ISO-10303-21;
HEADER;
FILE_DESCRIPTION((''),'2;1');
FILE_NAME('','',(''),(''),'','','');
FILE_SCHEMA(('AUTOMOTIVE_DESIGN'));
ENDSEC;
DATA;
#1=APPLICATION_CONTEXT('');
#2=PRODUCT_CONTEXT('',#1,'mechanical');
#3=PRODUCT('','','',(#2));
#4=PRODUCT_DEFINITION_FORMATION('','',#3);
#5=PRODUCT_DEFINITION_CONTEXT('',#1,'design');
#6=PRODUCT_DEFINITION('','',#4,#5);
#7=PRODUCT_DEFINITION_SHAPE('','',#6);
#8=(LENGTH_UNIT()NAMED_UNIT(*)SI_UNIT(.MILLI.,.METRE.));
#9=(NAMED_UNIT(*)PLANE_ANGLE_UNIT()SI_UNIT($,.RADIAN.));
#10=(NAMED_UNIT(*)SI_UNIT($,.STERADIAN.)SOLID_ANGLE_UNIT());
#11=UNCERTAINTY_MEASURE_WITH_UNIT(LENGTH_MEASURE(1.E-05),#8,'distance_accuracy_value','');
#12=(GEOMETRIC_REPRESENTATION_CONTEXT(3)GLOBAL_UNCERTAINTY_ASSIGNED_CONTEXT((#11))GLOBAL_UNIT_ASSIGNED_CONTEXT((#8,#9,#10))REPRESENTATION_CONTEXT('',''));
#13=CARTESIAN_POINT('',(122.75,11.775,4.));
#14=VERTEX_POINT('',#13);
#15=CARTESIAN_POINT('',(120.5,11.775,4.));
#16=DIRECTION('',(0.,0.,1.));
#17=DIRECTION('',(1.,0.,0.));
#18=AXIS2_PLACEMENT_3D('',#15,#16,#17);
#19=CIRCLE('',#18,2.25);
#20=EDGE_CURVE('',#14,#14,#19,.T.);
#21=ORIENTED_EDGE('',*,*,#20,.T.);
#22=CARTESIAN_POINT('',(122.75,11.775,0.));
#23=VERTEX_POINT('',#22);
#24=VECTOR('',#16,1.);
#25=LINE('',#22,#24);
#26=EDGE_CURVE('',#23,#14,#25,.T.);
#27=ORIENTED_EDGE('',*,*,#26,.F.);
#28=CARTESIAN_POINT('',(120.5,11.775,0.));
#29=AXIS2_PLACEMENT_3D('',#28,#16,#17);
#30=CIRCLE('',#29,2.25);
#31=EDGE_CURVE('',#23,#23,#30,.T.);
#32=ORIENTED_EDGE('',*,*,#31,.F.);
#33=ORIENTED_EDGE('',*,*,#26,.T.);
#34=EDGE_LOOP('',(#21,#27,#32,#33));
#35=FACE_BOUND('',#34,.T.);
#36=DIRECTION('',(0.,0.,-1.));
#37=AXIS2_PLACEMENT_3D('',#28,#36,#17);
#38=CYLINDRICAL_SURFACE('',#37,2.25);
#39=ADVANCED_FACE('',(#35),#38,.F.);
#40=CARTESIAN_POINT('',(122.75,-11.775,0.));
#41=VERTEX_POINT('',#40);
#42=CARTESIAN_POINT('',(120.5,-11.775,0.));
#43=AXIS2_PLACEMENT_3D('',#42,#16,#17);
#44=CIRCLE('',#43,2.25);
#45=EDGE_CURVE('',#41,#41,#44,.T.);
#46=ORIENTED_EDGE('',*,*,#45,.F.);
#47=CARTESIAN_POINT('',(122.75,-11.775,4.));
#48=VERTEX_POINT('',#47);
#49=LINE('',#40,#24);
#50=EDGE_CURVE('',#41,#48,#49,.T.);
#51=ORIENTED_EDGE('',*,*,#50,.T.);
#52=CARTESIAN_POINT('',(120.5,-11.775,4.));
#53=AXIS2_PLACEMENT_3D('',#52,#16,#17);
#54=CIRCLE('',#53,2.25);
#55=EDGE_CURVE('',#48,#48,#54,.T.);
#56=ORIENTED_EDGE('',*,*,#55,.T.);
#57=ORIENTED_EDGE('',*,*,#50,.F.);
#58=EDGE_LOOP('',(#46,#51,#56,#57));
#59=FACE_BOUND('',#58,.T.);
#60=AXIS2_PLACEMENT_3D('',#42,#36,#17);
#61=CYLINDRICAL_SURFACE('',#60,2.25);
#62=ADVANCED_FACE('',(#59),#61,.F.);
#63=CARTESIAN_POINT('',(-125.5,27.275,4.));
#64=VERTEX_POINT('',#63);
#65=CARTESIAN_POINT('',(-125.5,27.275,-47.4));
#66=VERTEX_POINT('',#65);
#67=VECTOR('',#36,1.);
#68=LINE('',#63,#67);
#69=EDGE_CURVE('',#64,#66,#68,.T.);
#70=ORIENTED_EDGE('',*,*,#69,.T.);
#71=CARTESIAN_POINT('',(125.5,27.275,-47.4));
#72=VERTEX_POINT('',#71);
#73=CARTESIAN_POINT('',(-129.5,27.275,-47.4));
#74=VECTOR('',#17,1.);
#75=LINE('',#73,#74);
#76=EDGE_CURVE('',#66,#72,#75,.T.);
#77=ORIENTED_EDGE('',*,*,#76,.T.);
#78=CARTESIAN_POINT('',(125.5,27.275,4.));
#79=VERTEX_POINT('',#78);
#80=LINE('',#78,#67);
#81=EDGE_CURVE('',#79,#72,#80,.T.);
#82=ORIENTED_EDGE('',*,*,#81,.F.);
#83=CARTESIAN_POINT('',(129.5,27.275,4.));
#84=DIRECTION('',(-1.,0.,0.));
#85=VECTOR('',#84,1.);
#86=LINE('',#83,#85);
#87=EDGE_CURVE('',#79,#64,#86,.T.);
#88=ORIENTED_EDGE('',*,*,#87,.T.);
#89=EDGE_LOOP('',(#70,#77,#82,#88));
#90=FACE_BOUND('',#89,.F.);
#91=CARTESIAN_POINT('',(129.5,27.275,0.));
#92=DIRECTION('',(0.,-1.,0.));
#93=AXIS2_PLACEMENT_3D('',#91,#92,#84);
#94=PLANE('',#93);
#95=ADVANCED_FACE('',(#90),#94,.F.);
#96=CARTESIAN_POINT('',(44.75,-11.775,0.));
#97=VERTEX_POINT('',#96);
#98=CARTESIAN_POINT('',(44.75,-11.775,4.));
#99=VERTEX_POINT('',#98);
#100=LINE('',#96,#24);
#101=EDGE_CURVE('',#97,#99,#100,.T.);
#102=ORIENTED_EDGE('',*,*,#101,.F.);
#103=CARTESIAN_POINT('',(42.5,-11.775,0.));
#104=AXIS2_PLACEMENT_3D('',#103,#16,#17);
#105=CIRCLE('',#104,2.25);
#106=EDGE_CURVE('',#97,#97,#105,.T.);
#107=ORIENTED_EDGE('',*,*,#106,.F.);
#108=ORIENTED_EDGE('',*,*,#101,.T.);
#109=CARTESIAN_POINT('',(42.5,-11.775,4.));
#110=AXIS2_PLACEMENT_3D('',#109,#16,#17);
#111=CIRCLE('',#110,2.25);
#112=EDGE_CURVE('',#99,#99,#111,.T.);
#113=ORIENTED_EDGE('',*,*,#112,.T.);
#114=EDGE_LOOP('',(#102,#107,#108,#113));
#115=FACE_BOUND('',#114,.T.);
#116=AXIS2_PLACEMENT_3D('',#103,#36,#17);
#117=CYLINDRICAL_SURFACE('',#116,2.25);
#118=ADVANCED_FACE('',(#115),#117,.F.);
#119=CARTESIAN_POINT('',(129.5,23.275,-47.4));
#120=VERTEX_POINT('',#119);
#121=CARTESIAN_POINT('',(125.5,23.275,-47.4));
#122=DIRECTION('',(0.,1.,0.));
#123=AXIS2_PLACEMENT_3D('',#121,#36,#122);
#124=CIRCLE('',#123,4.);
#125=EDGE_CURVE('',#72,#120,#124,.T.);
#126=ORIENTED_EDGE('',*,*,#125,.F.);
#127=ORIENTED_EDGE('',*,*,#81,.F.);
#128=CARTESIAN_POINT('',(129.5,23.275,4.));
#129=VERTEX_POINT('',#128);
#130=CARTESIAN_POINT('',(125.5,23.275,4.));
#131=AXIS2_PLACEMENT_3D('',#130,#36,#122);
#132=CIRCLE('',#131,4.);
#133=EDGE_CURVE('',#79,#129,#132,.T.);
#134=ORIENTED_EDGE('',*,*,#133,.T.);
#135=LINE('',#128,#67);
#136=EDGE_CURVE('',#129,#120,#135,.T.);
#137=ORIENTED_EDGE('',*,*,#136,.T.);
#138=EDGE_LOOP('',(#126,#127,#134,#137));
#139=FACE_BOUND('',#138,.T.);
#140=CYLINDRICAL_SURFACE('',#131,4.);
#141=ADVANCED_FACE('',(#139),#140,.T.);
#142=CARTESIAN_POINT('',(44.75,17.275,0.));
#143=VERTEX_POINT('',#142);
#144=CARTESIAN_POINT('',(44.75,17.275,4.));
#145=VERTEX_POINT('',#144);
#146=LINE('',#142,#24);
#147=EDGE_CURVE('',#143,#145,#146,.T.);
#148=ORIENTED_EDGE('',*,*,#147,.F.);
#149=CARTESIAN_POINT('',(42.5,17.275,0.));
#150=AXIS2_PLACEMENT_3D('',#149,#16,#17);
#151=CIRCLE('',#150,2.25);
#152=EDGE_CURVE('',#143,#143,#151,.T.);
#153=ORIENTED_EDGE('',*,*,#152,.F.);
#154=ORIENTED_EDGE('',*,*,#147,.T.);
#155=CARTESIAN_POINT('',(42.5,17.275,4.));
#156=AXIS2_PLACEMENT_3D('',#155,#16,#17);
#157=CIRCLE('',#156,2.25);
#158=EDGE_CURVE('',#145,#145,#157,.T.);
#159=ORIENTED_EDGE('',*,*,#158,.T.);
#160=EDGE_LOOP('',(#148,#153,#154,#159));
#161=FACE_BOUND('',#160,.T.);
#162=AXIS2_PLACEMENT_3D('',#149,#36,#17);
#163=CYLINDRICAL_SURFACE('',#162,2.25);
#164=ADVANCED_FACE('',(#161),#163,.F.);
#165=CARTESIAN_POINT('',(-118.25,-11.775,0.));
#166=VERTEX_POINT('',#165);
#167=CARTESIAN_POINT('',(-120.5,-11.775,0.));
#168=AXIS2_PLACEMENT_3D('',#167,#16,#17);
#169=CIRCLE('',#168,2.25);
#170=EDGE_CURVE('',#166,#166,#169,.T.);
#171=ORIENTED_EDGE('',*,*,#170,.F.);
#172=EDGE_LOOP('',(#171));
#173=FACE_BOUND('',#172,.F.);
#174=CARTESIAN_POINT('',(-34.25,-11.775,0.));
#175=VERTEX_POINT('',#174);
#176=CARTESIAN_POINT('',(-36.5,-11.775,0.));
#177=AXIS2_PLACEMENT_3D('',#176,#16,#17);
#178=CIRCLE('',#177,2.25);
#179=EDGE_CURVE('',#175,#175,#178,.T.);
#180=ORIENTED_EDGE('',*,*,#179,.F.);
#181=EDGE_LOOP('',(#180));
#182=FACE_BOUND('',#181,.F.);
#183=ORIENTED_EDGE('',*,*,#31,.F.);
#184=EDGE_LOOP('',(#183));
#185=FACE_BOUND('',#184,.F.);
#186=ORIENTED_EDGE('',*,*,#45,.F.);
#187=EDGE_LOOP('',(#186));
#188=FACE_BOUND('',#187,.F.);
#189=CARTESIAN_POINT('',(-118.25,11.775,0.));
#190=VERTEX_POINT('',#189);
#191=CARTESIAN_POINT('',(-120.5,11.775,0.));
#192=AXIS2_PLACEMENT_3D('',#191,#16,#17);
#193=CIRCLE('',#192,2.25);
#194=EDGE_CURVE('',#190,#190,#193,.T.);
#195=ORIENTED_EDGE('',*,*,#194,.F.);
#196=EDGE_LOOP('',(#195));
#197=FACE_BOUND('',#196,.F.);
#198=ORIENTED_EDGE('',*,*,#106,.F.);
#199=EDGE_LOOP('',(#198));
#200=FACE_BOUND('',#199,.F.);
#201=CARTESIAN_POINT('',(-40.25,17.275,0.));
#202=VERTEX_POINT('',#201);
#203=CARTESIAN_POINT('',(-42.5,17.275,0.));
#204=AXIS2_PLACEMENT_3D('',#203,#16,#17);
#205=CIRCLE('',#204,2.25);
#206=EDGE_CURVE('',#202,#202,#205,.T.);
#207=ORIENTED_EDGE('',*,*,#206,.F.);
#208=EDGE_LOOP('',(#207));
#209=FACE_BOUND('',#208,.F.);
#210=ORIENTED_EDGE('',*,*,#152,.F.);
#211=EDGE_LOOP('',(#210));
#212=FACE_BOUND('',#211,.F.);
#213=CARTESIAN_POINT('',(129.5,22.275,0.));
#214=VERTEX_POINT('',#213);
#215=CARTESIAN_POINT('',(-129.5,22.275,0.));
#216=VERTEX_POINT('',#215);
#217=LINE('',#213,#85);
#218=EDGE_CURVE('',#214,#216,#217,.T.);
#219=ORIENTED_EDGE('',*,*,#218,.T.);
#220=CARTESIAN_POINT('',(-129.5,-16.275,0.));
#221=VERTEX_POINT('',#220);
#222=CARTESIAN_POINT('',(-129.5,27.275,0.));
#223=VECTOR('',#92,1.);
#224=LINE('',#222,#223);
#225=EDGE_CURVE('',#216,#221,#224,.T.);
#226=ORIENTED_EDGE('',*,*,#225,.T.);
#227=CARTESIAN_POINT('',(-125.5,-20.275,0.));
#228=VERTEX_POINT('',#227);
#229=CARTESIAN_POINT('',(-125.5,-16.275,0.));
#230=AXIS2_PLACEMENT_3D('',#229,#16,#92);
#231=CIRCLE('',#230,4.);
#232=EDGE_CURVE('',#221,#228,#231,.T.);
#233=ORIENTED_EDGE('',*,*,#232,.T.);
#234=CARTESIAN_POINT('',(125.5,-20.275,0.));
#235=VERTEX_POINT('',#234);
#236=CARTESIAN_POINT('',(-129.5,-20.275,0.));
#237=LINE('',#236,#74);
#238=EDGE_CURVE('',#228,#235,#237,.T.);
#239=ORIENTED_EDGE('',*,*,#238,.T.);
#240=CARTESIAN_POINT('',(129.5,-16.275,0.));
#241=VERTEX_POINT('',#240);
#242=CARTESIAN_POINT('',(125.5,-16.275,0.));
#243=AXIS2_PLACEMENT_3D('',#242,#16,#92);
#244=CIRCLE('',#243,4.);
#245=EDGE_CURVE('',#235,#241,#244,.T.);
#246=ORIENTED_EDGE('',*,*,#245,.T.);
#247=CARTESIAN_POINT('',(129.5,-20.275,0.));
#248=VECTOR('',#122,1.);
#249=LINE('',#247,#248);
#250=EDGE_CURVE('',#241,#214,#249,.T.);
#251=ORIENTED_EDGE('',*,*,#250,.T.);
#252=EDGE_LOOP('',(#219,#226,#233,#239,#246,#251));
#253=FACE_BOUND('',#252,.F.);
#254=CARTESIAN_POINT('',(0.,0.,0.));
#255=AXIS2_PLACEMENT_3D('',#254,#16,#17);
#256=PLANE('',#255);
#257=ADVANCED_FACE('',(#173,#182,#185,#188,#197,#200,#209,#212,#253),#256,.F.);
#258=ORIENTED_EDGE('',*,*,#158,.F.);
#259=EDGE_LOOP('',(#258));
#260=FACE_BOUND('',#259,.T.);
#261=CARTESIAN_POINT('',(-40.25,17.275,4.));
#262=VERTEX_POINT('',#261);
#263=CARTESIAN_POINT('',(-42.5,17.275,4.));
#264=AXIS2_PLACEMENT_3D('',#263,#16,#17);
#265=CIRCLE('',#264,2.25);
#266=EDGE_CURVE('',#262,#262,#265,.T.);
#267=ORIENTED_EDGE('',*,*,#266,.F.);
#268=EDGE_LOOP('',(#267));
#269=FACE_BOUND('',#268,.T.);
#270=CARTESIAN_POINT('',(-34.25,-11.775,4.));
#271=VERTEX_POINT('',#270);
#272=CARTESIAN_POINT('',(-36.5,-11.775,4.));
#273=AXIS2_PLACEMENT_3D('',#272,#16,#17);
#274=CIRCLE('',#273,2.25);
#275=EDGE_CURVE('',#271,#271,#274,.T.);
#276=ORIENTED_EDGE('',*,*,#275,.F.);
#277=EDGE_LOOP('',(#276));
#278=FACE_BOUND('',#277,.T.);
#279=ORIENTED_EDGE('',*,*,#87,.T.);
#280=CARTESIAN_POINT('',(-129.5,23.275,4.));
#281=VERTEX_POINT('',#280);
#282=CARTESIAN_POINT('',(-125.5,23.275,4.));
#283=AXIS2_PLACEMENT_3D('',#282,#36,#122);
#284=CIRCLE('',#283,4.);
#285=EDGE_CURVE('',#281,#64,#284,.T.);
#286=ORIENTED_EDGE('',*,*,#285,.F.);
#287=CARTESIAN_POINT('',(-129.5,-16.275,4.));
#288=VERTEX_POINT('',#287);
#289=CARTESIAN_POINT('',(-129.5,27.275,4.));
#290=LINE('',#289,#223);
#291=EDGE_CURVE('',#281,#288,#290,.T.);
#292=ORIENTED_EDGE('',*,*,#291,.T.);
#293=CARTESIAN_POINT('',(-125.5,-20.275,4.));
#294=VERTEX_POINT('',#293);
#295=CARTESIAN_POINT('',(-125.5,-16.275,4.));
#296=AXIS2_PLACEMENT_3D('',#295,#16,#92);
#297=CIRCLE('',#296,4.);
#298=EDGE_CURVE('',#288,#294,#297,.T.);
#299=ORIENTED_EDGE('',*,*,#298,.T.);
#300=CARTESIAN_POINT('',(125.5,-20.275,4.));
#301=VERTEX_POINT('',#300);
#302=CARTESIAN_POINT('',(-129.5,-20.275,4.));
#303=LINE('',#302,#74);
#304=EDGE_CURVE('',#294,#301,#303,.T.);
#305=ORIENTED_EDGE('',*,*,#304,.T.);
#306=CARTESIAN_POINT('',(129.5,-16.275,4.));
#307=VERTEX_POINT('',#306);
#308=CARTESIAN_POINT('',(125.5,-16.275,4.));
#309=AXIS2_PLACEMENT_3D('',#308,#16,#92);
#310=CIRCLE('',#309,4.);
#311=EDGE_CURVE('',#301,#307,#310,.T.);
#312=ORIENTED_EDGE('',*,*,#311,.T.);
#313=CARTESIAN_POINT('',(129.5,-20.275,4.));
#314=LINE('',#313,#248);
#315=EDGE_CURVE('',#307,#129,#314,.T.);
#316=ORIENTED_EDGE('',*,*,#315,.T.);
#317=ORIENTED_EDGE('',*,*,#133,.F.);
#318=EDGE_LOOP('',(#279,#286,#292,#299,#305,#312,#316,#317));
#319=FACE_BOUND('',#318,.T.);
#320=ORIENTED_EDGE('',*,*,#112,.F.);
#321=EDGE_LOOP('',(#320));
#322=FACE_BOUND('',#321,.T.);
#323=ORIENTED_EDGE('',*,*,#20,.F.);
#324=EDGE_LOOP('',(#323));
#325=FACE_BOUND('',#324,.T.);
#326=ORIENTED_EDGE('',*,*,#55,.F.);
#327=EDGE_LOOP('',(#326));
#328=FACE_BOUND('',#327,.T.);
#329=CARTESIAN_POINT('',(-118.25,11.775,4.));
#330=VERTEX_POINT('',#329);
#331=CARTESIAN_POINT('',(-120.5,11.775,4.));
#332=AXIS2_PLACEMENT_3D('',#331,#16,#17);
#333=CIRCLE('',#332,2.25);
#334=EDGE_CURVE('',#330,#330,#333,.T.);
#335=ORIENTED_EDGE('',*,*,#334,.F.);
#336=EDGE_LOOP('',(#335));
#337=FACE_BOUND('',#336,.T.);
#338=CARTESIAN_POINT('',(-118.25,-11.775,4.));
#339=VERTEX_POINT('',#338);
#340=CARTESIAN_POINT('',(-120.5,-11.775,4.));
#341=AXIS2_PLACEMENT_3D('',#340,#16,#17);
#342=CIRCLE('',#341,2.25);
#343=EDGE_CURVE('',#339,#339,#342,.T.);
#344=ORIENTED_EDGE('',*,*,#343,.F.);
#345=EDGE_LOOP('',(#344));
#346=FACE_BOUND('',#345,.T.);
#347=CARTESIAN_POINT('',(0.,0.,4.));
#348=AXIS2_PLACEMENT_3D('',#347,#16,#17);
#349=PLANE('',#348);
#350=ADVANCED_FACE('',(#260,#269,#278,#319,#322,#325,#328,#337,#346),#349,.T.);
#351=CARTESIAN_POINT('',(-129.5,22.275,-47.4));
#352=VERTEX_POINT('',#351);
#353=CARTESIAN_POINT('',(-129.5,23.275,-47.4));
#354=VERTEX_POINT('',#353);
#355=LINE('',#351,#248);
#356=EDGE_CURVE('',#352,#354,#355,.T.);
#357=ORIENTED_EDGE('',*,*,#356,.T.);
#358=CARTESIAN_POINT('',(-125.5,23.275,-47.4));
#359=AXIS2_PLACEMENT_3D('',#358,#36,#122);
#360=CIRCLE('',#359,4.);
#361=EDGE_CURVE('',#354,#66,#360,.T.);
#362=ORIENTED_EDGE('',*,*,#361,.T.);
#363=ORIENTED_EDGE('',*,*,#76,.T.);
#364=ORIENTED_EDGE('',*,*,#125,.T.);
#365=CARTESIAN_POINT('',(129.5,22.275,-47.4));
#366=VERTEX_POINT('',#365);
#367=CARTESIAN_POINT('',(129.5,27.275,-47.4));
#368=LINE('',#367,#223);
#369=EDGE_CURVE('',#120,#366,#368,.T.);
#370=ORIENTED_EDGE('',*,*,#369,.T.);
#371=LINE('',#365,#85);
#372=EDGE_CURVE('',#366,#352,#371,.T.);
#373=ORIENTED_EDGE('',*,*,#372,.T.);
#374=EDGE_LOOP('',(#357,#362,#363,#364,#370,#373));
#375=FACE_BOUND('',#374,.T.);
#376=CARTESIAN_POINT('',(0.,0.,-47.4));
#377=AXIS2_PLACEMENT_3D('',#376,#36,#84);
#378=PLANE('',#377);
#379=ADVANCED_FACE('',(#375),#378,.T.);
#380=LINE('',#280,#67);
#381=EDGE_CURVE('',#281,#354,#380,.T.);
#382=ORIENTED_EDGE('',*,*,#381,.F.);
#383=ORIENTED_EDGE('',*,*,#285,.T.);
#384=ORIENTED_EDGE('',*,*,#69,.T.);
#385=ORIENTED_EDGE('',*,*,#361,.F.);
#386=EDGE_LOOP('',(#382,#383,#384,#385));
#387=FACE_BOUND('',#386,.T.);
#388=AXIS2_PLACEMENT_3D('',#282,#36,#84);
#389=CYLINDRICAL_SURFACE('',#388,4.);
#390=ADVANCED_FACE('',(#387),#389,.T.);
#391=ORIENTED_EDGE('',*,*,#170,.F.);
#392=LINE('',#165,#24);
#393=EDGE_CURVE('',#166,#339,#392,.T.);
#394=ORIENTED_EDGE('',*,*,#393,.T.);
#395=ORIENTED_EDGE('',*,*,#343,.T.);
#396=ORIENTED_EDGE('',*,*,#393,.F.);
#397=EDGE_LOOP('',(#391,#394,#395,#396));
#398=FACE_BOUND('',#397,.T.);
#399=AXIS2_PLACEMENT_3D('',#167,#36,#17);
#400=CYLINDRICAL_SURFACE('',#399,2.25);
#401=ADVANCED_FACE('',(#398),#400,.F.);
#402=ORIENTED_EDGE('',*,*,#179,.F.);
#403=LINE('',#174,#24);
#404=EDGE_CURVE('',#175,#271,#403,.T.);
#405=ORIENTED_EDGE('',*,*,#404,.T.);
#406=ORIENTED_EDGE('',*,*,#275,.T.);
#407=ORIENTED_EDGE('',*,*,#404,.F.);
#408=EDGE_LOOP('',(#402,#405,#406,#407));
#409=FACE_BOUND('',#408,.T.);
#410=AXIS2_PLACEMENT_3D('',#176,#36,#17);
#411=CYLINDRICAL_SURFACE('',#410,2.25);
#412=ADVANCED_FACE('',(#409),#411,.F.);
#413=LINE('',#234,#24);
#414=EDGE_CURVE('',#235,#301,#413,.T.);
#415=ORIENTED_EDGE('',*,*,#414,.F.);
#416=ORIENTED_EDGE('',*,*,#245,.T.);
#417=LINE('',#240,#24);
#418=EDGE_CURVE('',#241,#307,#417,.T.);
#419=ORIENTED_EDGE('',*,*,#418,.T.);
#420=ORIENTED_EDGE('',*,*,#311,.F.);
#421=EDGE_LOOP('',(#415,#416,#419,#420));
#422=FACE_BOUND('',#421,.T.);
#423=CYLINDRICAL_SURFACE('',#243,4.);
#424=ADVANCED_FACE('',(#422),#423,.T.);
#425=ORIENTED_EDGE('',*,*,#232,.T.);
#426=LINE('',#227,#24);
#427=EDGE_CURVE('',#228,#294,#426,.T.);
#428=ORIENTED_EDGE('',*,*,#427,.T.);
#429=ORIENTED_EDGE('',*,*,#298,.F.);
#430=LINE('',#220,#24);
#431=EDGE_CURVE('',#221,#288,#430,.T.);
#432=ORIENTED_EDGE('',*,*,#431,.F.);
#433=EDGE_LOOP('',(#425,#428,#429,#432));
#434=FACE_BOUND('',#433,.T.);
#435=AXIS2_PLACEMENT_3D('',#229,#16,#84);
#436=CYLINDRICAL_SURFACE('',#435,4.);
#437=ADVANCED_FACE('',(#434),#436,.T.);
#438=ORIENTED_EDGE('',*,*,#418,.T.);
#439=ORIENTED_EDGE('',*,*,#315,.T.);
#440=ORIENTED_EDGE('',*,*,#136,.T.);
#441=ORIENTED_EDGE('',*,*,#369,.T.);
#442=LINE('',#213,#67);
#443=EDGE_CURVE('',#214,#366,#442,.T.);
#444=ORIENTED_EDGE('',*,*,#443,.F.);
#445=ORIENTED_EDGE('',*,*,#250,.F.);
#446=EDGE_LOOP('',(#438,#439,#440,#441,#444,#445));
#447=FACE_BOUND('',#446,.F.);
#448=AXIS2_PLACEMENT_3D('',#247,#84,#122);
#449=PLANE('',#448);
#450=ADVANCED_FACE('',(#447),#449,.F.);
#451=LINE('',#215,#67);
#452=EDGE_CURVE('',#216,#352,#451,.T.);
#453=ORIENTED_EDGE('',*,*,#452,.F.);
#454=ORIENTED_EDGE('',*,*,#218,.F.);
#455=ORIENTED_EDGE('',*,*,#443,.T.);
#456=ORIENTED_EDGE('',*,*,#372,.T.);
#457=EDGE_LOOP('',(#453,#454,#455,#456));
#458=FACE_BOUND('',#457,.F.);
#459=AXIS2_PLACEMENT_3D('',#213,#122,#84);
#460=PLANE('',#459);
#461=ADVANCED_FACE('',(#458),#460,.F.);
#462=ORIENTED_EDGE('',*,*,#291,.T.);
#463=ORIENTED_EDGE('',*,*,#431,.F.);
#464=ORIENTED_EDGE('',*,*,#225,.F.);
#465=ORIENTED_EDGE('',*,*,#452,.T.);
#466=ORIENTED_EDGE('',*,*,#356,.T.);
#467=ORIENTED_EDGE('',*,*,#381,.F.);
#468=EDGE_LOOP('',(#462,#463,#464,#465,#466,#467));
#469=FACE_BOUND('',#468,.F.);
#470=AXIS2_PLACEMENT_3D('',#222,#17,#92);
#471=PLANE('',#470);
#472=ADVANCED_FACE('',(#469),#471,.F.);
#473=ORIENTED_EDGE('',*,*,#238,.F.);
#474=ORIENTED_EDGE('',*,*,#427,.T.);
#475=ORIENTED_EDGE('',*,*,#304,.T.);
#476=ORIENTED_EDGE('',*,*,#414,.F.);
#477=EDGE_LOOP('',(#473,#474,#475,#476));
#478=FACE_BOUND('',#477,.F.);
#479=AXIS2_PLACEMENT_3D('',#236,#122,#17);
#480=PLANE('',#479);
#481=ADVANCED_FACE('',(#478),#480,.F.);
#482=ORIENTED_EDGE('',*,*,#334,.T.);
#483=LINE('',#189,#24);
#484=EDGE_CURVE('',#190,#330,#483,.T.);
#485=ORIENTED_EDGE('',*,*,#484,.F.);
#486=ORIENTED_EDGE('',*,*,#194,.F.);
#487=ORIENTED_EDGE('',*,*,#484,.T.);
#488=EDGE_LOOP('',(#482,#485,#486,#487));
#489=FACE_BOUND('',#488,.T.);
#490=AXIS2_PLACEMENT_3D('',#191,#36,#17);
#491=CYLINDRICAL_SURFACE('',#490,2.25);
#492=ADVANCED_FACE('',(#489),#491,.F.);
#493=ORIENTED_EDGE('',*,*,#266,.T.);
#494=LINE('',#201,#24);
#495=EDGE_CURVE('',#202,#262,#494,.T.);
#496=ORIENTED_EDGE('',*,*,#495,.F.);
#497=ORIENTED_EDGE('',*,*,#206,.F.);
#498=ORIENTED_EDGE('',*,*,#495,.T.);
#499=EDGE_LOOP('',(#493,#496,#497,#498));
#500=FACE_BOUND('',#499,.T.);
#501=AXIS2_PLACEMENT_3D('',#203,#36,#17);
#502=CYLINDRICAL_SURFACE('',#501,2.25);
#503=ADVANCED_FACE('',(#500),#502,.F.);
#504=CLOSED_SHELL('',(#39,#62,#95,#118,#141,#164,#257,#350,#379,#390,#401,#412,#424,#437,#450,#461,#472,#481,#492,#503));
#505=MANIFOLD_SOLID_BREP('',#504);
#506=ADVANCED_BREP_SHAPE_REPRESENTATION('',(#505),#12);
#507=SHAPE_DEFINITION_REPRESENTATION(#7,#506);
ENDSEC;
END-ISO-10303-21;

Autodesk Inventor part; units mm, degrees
ref_plane "YZ Plane" through (0, 0, 0) normal (1, 0, 0) x (0, 1, 0)
ref_plane "XZ Plane" through (0, 0, 0) normal (0, 1, 0) x (-1, 0, 0)
ref_plane "XY Plane" through (0, 0, 0) normal (0, 0, 1) x (1, 0, 0)
sketch "スケッチ1" plane through (0, 0, 0) normal (0, 0, 1) x (1, 0, 0)
  line L0 (-120.5, 11.775) -> (120.5, 11.775) construction
  line L1 (120.5, 11.775) -> (120.5, -11.775) construction
  line L2 (120.5, -11.775) -> (-120.5, -11.775) construction
  line L3 (-120.5, -11.775) -> (-120.5, 11.775) construction
  circle A0 centre (-120.5, -11.775) radius 2.25
  circle A1 centre (-120.5, 11.775) radius 2.25
  circle A2 centre (-36.5, -11.775) radius 2.25
  circle A3 centre (42.5, -11.775) radius 2.25
  circle A4 centre (120.5, -11.775) radius 2.25
  line L4 (-129.5, 22.275) -> (-129.5, -20.275) construction
  line L5 (-129.5, 22.275) -> (129.5, 22.275) construction
  line L6 (129.5, 22.275) -> (129.5, -20.275) construction
  line L7 (129.5, -20.275) -> (-129.5, -20.275) construction
  circle A5 centre (-42.5, 17.275) radius 2.25
  circle A6 centre (42.5, 17.275) radius 2.25
  circle A7 centre (120.5, 11.775) radius 2.25
  line L8 (-129.5, -20.275) -> (129.5, -20.275)
  line L9 (129.5, -20.275) -> (129.5, 27.275)
  line L10 (129.5, 27.275) -> (-129.5, 27.275)
  line L11 (-129.5, 27.275) -> (-129.5, -20.275)
  point P0 (0, 0)
  point P1 (-120.5, 0)
  point P2 (0, 11.775)
  dimension "d0" = 23.55
  dimension "d1" = 84
  dimension "d3" = 79
  dimension "d4" = 78
  dimension "d5" = 4.5
  dimension "d6" = 9
  dimension "d7" = 9
  dimension "d8" = 8.5
  dimension "d9" = 10.5
  dimension "d10" = 5.5
  dimension "d11" = 78.1937
  dimension "d12" = 78.1937
  dimension "d13" = 78
  dimension "d14" = 85
  dimension "d15" = 78
  dimension "d16" = 5
extrude "押し出し1" add sketch "スケッチ1" along normal blind 4
sketch "スケッチ2" plane through (0, 0, 0) normal (0, 0, -1) x (-1, 0, 0)
  line L0 (129.5, 22.275) -> (-129.5, 22.275) construction
  line L1 (-129.5, 22.275) -> (129.5, 22.275)
  line L2 (129.5, 22.275) -> (129.5, 27.275)
  line L3 (129.5, 27.275) -> (-129.5, 27.275)
  line L4 (-129.5, 27.275) -> (-129.5, 22.275)
  line L5 (-129.5, 27.275) -> (129.5, 27.275) construction
  point P0 (0, 0)
extrude "押し出し2" add sketch "スケッチ2" along normal blind 47.4
fillet "フィレット1" radius 4 2 edges at (-129.5, -20.275, 2) (129.5, -20.275, 2)
fillet "フィレット2" [suppressed]
fillet "フィレット3" radius 4 2 edges at (129.5, 27.275, -21.7) (-129.5, 27.275, -21.7)
equation "\"d12\" = d11"
properties part number "kpd_70_cover" material "アルミニウム 6061"
